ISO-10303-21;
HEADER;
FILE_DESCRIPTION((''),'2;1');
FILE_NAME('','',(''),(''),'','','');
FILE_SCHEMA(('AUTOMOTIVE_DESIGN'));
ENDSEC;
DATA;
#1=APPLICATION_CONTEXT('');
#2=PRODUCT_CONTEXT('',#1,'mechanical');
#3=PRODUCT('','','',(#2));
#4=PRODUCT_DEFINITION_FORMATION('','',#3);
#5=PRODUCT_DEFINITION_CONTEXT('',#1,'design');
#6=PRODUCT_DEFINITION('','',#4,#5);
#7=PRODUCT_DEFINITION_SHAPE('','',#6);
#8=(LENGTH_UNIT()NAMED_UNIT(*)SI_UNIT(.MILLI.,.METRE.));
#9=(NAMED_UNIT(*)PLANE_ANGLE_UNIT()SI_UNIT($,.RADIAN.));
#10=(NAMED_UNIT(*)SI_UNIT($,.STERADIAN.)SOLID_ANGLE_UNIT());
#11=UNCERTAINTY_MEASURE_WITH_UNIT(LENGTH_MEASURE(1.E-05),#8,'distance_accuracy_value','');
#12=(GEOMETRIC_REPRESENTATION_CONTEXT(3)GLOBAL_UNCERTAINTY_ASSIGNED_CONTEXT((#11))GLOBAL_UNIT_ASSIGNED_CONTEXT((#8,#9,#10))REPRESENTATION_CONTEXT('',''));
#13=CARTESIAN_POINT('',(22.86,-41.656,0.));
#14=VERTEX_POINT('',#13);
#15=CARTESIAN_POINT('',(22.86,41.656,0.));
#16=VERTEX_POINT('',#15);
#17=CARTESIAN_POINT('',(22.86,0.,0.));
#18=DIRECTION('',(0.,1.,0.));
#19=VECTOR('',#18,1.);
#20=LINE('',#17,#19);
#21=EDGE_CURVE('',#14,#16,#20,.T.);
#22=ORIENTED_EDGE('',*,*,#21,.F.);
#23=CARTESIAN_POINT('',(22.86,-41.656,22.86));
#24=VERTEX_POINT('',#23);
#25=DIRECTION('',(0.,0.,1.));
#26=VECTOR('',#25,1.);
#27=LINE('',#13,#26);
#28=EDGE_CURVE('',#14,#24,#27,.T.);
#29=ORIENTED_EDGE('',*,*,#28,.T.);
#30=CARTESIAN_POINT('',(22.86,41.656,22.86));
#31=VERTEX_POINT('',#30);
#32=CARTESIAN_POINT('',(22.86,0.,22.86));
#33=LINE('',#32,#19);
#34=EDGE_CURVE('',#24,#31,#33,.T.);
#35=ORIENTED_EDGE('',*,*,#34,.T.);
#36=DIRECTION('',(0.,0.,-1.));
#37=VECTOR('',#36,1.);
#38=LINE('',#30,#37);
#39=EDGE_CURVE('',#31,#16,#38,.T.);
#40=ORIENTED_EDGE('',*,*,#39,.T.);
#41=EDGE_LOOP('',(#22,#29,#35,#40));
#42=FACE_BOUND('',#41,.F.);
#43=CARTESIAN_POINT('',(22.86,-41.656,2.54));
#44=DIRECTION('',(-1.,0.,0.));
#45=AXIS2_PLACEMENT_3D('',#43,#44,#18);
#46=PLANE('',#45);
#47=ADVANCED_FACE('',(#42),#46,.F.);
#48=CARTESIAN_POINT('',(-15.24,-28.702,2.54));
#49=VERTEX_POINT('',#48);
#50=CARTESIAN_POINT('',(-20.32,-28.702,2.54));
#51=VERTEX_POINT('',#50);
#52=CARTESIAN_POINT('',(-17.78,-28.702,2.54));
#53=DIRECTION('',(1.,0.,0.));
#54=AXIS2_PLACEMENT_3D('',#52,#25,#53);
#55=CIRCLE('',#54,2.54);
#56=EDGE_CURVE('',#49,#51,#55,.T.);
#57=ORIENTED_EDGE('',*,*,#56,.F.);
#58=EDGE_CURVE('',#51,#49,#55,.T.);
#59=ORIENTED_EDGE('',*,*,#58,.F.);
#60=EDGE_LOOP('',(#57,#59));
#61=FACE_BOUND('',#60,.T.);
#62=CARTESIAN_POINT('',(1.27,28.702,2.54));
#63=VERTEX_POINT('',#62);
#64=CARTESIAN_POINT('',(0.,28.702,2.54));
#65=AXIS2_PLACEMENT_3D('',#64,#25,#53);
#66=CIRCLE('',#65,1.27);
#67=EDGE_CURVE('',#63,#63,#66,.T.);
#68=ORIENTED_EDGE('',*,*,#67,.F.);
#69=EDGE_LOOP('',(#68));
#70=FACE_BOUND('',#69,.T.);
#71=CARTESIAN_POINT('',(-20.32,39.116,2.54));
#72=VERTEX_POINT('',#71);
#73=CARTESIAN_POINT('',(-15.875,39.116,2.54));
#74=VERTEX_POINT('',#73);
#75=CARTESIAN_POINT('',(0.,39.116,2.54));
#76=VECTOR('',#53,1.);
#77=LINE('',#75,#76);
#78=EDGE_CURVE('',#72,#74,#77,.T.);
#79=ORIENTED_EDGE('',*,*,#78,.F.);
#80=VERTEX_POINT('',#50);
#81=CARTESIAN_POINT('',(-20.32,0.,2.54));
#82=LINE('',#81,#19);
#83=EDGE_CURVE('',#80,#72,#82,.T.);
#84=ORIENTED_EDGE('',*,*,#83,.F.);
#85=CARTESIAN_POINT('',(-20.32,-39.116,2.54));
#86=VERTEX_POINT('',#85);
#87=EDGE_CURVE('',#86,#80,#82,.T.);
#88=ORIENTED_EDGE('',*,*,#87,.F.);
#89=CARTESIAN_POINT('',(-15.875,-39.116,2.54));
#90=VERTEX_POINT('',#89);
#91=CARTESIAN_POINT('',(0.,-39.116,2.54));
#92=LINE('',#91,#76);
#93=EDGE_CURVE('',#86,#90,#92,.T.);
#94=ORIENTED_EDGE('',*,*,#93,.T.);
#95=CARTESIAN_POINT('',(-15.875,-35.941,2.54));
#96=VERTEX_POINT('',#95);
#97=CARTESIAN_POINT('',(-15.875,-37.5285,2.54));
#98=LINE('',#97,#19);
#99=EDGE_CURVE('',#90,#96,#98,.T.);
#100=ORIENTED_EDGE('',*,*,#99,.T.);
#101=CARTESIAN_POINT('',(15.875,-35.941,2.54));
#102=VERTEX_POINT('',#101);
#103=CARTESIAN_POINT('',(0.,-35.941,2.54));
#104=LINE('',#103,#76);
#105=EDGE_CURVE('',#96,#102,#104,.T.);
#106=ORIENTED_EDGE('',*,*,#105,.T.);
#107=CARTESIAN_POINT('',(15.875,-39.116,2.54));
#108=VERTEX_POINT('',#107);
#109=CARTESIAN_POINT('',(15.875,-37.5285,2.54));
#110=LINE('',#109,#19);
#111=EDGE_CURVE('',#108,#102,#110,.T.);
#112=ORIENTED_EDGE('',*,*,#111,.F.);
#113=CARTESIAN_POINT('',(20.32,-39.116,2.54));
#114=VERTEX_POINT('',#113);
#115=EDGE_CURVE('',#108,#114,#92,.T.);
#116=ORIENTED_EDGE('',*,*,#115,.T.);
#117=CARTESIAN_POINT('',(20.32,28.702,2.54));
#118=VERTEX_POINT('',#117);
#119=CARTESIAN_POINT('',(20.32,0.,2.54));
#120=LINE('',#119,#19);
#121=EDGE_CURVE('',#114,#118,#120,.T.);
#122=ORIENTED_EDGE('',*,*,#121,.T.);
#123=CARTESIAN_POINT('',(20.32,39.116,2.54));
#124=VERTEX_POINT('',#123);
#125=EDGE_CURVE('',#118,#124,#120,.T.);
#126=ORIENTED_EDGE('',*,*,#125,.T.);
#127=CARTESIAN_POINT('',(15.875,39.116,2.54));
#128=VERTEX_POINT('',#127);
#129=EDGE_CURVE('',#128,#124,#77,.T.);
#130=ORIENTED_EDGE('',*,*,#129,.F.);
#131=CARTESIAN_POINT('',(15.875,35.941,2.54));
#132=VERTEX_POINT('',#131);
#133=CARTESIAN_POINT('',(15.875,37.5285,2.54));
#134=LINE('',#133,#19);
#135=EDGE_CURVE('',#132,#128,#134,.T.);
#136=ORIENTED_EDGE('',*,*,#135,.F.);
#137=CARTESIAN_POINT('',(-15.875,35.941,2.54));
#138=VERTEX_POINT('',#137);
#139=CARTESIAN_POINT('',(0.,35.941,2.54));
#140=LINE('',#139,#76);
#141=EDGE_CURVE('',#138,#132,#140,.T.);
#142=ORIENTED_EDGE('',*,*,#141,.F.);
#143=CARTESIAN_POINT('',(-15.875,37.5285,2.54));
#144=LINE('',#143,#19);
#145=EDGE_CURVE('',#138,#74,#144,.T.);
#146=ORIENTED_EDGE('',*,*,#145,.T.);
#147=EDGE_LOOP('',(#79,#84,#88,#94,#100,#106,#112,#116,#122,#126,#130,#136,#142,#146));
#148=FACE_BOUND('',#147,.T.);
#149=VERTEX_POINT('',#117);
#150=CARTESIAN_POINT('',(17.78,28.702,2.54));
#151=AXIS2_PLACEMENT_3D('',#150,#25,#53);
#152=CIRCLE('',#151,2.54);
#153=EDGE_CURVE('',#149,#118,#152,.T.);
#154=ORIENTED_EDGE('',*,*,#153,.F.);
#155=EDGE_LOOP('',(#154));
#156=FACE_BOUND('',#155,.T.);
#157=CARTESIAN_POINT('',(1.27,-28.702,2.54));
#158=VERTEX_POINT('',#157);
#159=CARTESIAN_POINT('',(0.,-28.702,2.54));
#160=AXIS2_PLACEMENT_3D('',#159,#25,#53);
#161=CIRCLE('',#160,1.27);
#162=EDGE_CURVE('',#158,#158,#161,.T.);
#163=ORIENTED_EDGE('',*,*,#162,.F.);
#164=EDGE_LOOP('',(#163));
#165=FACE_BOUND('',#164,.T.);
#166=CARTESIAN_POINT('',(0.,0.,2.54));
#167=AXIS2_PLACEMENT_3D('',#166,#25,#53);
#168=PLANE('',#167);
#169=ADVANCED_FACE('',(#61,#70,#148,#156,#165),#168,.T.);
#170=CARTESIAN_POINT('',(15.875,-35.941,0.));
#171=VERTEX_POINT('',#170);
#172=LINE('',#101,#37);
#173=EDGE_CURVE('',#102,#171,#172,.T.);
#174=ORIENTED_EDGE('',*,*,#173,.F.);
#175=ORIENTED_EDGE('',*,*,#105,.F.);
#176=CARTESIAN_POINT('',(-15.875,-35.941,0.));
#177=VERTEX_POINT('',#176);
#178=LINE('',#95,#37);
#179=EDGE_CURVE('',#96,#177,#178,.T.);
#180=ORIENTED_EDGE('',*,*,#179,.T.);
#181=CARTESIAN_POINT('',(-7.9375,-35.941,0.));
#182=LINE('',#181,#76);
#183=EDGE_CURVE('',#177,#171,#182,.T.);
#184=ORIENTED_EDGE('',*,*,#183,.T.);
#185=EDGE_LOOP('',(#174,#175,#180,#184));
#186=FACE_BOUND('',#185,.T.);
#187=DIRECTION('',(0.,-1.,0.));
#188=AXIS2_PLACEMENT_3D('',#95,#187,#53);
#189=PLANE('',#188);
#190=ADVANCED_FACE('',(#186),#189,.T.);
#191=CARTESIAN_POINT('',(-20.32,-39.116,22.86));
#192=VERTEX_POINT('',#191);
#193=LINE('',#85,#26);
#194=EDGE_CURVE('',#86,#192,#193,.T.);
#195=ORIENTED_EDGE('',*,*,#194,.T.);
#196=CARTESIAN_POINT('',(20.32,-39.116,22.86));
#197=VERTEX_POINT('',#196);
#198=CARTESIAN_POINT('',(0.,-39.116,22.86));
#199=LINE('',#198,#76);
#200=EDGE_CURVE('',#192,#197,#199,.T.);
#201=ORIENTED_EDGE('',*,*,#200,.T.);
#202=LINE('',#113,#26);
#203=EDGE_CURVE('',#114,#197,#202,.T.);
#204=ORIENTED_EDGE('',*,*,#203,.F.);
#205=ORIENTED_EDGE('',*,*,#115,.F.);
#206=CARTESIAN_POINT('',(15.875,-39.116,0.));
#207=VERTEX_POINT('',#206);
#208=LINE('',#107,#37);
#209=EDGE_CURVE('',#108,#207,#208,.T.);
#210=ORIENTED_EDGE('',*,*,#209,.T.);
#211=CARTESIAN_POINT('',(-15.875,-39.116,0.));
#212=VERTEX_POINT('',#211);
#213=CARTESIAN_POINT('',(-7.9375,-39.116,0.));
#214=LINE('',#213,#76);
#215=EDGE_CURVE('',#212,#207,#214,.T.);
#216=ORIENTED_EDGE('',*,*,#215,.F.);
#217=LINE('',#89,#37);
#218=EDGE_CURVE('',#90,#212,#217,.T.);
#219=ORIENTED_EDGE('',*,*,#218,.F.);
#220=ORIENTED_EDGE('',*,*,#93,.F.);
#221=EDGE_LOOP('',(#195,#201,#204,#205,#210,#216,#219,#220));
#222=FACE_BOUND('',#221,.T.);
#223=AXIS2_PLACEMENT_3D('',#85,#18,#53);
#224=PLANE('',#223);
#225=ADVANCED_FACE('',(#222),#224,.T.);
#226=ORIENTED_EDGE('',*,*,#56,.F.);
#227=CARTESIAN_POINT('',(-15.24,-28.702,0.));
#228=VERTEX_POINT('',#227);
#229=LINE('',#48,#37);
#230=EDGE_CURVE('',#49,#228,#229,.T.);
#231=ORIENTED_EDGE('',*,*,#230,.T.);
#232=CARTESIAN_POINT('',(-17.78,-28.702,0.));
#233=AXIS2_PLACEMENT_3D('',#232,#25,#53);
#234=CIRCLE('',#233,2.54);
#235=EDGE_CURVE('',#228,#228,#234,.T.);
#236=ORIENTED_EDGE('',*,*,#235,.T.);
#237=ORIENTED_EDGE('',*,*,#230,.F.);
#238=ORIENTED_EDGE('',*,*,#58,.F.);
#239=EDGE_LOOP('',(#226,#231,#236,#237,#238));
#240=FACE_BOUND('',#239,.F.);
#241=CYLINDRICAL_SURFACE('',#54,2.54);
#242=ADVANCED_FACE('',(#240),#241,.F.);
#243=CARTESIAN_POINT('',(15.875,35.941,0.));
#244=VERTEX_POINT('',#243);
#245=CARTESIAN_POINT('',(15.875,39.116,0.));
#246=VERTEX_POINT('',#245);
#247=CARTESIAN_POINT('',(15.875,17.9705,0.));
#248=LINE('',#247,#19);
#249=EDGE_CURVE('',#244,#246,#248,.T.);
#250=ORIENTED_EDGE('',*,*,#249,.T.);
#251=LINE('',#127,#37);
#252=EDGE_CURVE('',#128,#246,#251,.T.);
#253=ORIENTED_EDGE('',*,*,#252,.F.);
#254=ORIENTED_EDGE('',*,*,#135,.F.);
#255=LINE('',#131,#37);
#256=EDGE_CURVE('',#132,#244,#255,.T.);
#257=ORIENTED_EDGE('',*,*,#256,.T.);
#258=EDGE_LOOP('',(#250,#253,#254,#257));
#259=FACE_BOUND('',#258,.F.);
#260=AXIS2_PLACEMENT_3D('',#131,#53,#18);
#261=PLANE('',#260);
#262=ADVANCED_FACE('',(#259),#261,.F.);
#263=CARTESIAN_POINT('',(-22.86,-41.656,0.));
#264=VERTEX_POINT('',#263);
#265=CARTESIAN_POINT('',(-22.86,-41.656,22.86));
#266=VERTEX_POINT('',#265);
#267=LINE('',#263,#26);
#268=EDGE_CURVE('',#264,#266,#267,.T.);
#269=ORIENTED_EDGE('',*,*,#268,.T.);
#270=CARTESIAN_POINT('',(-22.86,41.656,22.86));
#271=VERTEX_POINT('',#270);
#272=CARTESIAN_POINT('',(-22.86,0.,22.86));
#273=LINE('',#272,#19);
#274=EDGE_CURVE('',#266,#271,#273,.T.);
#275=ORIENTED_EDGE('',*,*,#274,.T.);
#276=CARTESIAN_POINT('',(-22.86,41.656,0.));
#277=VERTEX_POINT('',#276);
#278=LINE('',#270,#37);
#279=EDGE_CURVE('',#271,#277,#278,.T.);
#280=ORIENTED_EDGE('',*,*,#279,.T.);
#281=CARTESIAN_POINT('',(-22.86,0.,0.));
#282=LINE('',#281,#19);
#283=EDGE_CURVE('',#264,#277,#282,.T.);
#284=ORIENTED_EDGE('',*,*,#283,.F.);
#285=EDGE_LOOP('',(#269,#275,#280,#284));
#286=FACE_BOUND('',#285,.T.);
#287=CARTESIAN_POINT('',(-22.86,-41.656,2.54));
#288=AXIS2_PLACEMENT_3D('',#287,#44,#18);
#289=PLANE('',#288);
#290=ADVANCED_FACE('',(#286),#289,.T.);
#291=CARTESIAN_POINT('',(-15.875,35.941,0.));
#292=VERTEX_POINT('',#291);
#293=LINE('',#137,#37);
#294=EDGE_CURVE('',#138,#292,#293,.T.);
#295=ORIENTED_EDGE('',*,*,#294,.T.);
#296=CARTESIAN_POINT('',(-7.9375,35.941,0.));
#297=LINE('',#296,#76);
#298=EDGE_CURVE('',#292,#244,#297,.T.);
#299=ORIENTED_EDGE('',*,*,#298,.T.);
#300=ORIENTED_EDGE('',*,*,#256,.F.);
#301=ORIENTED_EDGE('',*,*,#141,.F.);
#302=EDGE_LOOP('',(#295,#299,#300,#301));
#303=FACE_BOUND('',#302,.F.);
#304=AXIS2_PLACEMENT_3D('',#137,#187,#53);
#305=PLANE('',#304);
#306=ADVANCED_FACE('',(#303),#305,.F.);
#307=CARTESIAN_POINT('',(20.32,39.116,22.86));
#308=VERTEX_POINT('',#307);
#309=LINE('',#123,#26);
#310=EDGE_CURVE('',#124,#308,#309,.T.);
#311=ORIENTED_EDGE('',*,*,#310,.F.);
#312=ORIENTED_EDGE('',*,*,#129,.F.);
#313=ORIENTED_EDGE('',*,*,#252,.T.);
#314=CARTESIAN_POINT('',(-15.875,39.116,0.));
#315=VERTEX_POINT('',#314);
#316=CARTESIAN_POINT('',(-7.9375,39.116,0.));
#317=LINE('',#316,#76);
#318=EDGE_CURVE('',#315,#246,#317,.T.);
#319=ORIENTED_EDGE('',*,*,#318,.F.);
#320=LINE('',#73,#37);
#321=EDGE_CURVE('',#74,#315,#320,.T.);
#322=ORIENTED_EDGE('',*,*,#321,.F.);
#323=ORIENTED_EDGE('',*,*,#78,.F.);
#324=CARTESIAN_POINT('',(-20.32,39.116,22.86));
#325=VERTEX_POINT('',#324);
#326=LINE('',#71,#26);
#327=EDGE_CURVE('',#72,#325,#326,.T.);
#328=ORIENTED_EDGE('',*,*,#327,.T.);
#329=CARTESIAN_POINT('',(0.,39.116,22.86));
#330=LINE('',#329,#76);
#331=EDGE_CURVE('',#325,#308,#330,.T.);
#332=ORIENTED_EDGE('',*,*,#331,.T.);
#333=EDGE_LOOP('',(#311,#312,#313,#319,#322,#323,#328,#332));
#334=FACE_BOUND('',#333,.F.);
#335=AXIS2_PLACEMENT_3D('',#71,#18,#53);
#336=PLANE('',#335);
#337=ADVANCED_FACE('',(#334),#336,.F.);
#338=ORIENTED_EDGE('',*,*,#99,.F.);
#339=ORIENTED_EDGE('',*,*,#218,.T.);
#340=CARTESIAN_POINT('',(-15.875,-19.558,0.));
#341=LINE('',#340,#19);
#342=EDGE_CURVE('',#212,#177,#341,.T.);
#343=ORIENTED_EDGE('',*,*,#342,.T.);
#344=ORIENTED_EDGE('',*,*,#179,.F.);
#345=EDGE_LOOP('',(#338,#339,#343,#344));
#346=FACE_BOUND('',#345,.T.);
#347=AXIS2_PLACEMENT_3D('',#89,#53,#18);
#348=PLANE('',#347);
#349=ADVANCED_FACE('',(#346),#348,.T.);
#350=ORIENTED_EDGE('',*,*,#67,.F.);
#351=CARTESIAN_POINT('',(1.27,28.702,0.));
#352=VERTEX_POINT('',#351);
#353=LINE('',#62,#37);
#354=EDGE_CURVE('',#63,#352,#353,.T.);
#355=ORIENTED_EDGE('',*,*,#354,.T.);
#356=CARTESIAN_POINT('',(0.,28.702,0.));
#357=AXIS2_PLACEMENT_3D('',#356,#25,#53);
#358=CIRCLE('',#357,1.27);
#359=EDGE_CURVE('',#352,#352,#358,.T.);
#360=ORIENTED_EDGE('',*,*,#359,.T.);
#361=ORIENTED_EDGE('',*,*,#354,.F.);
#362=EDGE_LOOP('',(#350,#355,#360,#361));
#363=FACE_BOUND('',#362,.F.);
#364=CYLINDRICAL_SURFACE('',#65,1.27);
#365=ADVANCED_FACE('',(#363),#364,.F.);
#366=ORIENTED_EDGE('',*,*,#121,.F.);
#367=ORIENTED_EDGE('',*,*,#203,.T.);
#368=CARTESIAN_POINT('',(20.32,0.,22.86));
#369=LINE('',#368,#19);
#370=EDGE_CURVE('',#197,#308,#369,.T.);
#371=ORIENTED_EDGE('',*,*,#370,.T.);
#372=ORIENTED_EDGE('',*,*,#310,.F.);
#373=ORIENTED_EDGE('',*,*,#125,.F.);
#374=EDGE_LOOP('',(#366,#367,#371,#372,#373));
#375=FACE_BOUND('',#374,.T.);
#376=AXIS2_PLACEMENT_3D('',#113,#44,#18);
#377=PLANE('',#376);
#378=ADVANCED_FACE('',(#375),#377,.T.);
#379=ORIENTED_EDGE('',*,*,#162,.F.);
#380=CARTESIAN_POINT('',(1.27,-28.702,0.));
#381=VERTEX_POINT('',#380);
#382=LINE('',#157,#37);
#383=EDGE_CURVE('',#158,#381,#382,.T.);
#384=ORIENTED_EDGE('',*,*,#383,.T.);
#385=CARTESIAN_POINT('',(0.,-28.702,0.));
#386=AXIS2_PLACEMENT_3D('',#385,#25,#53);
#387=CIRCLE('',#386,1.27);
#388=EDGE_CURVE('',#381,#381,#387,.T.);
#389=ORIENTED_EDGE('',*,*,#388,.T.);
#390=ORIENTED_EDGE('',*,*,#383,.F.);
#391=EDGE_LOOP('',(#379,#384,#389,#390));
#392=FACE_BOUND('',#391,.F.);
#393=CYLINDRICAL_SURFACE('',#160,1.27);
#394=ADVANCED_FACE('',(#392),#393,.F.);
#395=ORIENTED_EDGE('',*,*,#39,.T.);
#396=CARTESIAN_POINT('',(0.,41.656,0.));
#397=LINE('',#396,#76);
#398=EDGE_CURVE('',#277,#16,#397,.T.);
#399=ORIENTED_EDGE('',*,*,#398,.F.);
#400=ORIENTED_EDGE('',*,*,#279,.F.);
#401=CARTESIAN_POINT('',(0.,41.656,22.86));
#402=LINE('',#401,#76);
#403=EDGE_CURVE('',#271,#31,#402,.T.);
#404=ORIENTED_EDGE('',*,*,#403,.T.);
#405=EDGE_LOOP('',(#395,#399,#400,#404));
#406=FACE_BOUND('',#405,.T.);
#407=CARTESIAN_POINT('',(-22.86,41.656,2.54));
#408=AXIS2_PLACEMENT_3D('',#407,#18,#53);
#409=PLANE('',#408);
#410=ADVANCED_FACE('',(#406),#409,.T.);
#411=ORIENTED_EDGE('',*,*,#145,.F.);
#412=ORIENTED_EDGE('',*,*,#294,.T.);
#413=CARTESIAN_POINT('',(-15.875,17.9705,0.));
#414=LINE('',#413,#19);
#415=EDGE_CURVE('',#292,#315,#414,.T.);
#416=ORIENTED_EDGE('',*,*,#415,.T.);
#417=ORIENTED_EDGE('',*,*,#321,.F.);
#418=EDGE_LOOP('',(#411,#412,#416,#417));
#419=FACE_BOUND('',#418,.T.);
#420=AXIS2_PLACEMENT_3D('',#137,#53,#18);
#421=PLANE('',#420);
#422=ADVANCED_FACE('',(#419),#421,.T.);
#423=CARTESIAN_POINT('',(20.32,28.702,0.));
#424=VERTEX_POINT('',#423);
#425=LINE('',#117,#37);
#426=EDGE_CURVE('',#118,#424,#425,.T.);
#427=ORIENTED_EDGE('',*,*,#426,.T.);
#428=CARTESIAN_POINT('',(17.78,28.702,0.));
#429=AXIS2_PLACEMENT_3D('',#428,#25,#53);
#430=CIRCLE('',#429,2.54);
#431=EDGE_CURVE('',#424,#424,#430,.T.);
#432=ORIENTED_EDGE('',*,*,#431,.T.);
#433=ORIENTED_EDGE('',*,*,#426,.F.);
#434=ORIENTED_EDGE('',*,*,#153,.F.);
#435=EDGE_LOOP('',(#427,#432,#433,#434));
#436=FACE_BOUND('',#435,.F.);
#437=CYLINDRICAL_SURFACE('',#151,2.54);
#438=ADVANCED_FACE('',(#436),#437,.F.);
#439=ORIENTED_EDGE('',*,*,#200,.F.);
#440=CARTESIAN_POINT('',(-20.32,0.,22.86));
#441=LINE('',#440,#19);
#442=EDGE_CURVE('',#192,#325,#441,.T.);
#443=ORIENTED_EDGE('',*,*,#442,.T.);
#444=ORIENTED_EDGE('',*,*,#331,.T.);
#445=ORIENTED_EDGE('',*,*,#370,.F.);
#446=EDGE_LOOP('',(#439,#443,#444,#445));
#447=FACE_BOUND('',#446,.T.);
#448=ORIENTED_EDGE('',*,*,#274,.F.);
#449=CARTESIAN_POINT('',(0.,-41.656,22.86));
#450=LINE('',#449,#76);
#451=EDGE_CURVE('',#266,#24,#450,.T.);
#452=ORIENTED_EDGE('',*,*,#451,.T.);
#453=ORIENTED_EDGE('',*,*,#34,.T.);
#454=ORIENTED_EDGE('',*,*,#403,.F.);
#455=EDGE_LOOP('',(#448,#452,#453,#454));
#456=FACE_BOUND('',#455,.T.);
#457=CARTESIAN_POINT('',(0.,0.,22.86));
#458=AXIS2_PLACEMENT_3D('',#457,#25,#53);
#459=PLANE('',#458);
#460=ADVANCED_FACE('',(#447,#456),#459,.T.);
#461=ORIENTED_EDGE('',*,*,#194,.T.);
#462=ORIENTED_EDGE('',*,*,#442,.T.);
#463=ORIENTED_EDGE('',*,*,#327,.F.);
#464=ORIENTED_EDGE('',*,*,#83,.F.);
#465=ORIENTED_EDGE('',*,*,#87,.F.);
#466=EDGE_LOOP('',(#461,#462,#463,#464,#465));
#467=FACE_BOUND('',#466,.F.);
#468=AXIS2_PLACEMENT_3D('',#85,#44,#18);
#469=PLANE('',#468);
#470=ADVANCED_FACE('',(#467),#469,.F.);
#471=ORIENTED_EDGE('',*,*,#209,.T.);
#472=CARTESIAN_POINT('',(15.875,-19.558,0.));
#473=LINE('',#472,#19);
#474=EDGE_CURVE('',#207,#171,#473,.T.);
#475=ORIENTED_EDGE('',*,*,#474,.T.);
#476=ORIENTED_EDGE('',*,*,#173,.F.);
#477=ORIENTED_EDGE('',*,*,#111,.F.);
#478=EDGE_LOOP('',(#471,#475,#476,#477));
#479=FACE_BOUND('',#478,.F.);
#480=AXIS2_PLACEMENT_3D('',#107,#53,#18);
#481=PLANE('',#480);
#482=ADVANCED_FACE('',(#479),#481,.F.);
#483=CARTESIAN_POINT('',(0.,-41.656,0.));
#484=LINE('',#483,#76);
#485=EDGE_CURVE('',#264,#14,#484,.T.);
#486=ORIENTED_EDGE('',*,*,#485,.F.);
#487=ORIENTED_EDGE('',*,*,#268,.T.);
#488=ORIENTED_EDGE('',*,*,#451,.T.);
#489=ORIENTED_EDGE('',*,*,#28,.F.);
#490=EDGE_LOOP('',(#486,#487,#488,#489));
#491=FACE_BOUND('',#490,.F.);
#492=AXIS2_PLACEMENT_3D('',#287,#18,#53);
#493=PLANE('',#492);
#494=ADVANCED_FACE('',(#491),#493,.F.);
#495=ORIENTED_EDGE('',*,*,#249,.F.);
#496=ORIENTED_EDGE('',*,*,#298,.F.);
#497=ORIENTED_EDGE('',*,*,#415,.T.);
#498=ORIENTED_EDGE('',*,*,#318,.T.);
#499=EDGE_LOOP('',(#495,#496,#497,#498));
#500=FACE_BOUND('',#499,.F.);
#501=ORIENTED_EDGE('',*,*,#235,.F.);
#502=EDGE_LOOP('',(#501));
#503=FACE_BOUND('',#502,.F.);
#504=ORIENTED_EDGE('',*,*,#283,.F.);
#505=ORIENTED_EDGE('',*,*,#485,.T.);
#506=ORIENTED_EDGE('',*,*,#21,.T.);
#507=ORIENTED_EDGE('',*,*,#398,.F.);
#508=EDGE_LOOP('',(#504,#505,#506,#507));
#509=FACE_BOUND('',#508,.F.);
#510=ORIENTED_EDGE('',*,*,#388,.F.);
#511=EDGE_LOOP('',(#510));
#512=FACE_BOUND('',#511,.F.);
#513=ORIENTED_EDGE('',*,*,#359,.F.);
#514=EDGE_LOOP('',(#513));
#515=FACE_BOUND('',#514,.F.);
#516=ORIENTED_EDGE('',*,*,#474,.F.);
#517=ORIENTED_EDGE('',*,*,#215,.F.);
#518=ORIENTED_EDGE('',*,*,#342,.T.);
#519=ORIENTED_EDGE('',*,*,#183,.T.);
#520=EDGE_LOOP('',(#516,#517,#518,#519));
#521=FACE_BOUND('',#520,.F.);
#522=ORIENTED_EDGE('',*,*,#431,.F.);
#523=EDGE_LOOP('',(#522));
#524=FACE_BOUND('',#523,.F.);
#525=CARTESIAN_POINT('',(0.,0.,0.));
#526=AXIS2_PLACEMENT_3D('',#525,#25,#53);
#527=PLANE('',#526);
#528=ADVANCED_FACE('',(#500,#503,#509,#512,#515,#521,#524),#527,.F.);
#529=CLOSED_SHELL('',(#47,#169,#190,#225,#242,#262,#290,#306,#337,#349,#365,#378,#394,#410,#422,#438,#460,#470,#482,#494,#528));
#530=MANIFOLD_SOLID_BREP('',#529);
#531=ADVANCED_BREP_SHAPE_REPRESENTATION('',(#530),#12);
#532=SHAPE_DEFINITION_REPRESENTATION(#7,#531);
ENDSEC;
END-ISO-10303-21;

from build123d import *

# Parameters (mm, degrees)
F0_W     = 45.72
F0_H     = 83.312
F1_DEPTH = 2.54
F2_W     = 45.72
F2_H     = 83.312
F2_W_2   = 40.64
F2_H_2   = 78.232
F3_DEPTH = 20.32
F4_R     = 1.27
F4_R_2   = 2.54
F4_W     = 31.75
F4_H     = 3.175
F5_DEPTH = 25.4


with BuildPart() as f1:
    # F0 (on Top) → F1 (new body)
    with BuildSketch(Plane.XY):
        Rectangle(F0_W, F0_H)
    extrude(amount=F1_DEPTH)

    # F2 (on face) → F3 (join)
    with BuildSketch(Plane.XY.offset(2.54)):
        Rectangle(F2_W, F2_H)
        Rectangle(F2_W_2, F2_H_2, mode=Mode.SUBTRACT)
    extrude(amount=F3_DEPTH)

    # F4 (on face) → F5 (cut)
    with BuildSketch(Plane.XY.offset(2.54)):
        with Locations((0, 28.702)):
            Circle(F4_R)
        with Locations((0, -28.702)):
            Circle(F4_R)
        with Locations((17.78, 28.702)):
            Circle(F4_R_2)
        with Locations((-17.78, -28.702)):
            Circle(F4_R_2)
        with Locations((0, 37.5285)):
            Rectangle(F4_W, F4_H)
        with Locations((0, -37.5285)):
            Rectangle(F4_W, F4_H)
    extrude(amount=-F5_DEPTH, mode=Mode.SUBTRACT)


solid = f1.part
